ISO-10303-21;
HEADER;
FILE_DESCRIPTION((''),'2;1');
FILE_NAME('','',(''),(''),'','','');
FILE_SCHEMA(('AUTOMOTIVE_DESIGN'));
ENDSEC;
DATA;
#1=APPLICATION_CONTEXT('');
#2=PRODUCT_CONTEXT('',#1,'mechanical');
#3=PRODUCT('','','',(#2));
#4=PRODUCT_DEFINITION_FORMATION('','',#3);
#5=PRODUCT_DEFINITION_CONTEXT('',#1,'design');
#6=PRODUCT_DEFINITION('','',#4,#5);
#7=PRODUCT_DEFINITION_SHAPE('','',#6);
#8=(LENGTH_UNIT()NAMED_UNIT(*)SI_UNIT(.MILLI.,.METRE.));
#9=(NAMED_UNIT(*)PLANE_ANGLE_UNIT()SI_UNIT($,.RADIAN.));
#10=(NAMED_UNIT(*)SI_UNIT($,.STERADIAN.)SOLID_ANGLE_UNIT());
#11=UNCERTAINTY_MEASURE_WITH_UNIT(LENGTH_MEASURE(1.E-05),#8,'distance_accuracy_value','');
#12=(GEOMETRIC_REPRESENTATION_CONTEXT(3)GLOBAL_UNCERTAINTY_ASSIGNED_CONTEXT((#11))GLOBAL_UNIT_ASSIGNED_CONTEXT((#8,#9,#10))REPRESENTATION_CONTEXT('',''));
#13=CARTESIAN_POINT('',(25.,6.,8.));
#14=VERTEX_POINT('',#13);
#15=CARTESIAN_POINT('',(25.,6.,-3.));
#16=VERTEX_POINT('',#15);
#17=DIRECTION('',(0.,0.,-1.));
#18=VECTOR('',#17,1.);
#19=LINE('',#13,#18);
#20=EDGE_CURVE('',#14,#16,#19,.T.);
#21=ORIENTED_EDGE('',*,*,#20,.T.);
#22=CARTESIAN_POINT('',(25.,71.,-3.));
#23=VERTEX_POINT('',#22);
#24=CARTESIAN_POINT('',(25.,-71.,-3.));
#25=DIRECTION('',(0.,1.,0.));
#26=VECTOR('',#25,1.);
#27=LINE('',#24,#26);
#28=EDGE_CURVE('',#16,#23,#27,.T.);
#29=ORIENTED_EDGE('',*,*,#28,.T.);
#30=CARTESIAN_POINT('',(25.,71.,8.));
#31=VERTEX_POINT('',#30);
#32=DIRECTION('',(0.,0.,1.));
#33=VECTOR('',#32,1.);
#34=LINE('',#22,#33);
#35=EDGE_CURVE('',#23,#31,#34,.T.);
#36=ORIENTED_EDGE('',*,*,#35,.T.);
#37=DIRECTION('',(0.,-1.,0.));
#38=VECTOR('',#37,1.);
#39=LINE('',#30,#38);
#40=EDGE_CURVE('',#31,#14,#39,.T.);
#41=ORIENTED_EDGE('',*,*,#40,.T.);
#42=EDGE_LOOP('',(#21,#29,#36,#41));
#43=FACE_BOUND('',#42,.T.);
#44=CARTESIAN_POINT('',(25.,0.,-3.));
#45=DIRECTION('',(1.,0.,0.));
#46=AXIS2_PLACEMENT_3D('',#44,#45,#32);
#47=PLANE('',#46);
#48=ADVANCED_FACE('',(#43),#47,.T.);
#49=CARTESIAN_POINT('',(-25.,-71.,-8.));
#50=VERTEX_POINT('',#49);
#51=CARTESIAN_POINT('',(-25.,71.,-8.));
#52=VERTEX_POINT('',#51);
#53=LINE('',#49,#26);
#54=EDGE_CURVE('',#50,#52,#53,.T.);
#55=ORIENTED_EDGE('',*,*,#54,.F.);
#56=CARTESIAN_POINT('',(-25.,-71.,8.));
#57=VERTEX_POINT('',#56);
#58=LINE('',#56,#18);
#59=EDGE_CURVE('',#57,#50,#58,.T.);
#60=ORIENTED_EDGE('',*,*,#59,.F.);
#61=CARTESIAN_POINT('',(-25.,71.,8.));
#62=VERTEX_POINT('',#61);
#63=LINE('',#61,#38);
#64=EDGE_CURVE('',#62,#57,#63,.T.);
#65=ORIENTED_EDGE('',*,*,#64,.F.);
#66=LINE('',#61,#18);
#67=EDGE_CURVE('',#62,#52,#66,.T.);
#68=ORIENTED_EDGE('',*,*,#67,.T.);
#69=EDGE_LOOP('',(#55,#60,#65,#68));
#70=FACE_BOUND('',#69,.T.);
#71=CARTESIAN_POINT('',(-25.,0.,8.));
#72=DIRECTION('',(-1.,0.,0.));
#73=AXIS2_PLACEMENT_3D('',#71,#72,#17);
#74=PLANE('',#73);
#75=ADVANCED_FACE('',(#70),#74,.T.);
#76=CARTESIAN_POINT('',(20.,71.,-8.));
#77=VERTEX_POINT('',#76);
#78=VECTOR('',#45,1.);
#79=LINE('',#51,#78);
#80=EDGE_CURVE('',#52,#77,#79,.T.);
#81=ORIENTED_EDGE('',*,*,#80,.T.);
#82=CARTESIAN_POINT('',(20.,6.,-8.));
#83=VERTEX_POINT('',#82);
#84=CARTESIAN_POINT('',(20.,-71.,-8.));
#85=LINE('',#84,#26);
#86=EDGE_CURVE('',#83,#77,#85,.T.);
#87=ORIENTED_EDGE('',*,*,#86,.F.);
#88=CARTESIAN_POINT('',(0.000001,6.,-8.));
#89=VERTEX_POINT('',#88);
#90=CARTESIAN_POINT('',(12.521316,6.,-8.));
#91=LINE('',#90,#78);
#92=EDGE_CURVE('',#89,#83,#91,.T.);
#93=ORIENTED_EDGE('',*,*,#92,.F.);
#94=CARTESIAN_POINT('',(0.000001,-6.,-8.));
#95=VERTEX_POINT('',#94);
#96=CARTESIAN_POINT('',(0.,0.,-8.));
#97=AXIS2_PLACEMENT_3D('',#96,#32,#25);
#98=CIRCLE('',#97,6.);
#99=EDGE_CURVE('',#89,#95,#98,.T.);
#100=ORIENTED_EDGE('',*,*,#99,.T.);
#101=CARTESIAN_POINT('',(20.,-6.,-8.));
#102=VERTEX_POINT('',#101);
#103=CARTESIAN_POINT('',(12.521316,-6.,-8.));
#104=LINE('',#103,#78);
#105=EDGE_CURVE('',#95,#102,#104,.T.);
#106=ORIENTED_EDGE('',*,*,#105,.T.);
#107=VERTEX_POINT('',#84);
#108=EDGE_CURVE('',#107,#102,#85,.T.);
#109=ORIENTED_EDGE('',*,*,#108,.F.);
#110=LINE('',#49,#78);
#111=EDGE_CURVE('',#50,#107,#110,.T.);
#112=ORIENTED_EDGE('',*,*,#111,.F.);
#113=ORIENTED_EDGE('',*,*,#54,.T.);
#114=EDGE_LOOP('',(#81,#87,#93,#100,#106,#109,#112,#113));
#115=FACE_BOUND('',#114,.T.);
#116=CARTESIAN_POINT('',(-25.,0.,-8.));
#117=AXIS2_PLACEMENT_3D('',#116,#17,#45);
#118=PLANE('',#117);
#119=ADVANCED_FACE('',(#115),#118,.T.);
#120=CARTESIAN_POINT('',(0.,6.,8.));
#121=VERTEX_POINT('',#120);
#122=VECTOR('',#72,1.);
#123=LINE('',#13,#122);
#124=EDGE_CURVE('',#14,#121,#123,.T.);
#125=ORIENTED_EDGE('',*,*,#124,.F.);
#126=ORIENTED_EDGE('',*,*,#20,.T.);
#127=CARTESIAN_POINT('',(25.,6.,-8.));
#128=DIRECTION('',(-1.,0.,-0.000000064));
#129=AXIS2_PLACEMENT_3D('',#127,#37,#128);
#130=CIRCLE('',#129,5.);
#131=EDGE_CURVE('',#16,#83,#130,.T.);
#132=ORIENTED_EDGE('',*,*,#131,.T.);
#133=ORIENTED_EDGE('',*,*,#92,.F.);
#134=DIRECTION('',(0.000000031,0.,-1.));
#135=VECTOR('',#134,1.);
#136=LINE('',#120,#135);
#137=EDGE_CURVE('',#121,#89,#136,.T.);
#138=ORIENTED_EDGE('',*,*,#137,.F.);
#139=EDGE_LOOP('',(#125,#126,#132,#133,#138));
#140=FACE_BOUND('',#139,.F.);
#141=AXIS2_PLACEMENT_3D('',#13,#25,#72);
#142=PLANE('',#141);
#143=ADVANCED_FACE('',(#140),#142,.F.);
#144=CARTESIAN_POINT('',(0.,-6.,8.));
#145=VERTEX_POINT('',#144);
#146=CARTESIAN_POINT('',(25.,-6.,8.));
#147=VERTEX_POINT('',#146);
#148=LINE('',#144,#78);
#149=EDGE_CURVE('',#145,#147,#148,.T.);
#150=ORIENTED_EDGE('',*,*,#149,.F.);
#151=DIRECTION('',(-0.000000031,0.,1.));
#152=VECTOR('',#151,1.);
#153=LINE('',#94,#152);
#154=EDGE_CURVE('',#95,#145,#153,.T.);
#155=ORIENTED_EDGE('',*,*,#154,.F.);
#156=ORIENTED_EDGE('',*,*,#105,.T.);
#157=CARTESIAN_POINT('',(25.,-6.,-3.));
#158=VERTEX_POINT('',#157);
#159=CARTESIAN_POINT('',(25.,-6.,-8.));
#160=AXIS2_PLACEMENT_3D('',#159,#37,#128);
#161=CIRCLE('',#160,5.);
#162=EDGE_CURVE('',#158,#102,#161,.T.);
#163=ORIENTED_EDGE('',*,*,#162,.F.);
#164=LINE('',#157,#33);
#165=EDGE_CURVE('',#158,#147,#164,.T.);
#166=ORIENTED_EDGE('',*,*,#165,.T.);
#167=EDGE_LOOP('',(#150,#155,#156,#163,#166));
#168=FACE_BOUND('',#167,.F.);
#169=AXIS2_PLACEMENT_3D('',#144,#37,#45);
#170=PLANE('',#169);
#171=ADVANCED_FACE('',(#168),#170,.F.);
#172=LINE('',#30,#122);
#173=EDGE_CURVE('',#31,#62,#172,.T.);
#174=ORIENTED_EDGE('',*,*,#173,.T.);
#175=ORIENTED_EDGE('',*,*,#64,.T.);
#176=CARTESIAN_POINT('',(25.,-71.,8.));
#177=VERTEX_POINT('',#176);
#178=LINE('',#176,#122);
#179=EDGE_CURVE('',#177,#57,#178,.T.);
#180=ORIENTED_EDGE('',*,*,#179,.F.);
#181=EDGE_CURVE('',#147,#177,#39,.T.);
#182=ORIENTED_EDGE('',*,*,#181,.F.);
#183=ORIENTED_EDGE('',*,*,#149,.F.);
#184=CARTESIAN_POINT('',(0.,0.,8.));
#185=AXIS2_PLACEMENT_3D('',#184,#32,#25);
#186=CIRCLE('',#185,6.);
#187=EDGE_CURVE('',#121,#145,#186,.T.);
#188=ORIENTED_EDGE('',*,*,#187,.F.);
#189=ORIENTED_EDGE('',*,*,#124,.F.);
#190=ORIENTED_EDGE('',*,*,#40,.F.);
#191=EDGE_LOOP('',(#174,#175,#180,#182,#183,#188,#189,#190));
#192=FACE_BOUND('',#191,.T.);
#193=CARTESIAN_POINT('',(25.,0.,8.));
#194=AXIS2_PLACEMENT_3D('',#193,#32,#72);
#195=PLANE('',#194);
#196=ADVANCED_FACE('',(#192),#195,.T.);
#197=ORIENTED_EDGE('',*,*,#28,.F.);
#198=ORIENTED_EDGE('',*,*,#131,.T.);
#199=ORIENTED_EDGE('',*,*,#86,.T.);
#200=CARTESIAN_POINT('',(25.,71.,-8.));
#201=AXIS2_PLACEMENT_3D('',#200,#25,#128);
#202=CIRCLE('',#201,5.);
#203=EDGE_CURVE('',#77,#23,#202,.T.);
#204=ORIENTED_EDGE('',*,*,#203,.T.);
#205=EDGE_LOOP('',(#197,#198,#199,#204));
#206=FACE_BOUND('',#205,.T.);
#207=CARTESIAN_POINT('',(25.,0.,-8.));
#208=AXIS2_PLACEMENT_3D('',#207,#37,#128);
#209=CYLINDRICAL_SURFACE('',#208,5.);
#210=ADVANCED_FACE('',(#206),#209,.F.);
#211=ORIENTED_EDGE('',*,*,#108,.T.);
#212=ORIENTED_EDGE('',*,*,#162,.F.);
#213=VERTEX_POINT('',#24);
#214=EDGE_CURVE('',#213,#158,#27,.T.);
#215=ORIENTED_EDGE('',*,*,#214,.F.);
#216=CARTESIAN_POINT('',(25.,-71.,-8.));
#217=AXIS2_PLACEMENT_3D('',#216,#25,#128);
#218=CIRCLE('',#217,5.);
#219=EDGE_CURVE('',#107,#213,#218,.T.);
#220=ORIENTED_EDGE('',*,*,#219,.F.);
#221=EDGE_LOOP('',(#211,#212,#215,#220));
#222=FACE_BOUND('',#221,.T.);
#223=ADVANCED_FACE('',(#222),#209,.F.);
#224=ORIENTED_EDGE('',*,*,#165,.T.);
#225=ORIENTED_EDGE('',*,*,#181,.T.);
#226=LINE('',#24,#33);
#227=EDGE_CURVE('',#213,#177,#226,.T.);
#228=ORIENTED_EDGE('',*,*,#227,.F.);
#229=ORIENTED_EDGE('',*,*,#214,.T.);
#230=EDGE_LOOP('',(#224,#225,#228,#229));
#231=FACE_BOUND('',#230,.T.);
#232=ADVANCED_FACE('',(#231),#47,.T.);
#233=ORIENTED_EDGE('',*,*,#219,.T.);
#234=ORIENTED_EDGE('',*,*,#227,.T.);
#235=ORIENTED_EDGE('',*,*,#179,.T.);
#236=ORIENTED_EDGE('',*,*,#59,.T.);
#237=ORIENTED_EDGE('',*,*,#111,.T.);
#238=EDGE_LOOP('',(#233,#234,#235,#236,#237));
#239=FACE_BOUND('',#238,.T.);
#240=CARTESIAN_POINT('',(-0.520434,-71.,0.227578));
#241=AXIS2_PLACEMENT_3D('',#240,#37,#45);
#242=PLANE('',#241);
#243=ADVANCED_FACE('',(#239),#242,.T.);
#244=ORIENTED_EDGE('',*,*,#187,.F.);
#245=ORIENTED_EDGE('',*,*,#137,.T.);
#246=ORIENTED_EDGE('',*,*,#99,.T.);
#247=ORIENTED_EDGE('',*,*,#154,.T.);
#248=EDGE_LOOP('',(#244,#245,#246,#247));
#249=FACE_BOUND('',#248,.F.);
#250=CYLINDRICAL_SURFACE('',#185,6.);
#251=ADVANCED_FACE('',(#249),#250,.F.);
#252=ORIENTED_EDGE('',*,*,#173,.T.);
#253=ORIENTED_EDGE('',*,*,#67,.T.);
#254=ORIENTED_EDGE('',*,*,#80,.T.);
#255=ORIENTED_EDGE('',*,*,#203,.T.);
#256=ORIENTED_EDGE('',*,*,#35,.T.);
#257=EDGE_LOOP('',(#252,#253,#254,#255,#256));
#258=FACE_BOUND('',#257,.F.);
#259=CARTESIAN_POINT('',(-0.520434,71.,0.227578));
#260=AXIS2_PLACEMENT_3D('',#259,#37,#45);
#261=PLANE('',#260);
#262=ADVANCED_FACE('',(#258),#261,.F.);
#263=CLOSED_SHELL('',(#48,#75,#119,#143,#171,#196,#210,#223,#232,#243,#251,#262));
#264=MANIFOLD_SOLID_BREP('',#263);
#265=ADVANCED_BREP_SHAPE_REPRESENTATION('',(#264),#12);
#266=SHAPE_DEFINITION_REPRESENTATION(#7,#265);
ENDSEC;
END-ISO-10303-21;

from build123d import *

# Parameters (mm, degrees)
F1_DEPTH = 71
F3_DEPTH = 16
F4_DEPTH = 6
F5_W     = 25.042631
F5_H     = 12
F6_DEPTH = 12.4


with BuildPart() as f1:
    # F0 (on Front) → F1 (new body, symmetric)
    with BuildSketch(Plane.XZ):
        with BuildLine():
            Line((25, -3), (25, 8))
            Line((25, 8), (-25, 8))
            Line((-25, 8), (-25, -8))
            Line((-25, -8), (20, -8))
            ThreePointArc((20, -8), (21.464466, -4.464466), (25, -3))
        make_face()
    extrude(amount=F1_DEPTH, both=True)

    # F2 (on face) → F3 (cut)
    with BuildSketch(Plane.XY.offset(8)):
        with BuildLine():
            ThreePointArc((0, -6), (4.242641, -4.242641), (6, 0))
            ThreePointArc((6, 0), (4.242641, 4.242641), (0, 6))
            ThreePointArc((0, 6), (-6, 0), (0, -6))
        make_face()
    extrude(amount=-F3_DEPTH, mode=Mode.SUBTRACT)

    # F2 (on face) → F4 (cut)
    with BuildSketch(Plane.XY.offset(8)):
        with BuildLine():
            ThreePointArc((0, 6), (4.242641, 4.242641), (6, 0))
            ThreePointArc((6, 0), (4.242641, -4.242641), (0, -6))
            Line((0, -6), (25, -6))
            Line((25, -6), (25, 6))
            Line((25, 6), (0, 6))
        make_face()
    extrude(amount=-F4_DEPTH, mode=Mode.SUBTRACT)

    # F5 (on face) → F6 (cut)
    with BuildSketch(Plane(origin=(0, 0, -8), x_dir=(1, 0, 0), z_dir=(0, 0, -1))):
        with Locations((12.521316, 0)):
            Rectangle(F5_W, F5_H)
    extrude(amount=-F6_DEPTH, mode=Mode.SUBTRACT)


solid = f1.part
